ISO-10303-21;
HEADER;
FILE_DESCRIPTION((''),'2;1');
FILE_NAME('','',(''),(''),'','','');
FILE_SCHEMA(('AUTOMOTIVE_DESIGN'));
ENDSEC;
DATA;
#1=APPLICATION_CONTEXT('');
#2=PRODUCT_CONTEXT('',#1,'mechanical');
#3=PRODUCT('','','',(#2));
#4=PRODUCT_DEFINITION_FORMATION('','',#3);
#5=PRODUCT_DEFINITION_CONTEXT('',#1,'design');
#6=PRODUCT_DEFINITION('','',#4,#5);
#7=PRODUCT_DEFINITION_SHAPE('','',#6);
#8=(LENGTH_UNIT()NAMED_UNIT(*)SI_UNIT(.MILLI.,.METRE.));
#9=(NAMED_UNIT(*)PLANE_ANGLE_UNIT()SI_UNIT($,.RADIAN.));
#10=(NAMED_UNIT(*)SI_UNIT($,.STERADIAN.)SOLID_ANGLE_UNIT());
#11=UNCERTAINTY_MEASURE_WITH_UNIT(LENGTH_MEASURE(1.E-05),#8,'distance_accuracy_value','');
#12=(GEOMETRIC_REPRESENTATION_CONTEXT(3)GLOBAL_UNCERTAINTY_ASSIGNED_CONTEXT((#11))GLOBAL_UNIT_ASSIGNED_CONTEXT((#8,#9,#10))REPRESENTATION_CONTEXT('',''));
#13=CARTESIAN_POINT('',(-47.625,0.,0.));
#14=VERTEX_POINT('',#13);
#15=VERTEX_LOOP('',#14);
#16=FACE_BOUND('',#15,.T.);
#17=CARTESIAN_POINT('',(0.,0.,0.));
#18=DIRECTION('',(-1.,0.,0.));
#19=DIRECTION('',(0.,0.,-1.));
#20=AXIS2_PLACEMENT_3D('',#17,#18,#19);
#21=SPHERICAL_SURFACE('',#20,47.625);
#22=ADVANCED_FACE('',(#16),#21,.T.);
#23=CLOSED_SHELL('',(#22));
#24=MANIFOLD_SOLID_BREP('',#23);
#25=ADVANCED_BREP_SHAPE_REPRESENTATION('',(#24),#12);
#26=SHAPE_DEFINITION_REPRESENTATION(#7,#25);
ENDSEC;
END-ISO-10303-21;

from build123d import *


with BuildPart() as part:
    # Sketch1 → Revolve1 (revolve)
    with BuildSketch(Plane(origin=(0, 0, 0), x_dir=(1, 0, 0), z_dir=(0, 1, 0))):
        with BuildLine():
            Line((-47.625, 0), (47.625, 0))
            ThreePointArc((47.625, 0), (0, -47.625), (-47.625, 0))
        make_face()
    revolve(axis=Axis((47.625, 0, 0), (1, 0, 0)))


solid = part.part
